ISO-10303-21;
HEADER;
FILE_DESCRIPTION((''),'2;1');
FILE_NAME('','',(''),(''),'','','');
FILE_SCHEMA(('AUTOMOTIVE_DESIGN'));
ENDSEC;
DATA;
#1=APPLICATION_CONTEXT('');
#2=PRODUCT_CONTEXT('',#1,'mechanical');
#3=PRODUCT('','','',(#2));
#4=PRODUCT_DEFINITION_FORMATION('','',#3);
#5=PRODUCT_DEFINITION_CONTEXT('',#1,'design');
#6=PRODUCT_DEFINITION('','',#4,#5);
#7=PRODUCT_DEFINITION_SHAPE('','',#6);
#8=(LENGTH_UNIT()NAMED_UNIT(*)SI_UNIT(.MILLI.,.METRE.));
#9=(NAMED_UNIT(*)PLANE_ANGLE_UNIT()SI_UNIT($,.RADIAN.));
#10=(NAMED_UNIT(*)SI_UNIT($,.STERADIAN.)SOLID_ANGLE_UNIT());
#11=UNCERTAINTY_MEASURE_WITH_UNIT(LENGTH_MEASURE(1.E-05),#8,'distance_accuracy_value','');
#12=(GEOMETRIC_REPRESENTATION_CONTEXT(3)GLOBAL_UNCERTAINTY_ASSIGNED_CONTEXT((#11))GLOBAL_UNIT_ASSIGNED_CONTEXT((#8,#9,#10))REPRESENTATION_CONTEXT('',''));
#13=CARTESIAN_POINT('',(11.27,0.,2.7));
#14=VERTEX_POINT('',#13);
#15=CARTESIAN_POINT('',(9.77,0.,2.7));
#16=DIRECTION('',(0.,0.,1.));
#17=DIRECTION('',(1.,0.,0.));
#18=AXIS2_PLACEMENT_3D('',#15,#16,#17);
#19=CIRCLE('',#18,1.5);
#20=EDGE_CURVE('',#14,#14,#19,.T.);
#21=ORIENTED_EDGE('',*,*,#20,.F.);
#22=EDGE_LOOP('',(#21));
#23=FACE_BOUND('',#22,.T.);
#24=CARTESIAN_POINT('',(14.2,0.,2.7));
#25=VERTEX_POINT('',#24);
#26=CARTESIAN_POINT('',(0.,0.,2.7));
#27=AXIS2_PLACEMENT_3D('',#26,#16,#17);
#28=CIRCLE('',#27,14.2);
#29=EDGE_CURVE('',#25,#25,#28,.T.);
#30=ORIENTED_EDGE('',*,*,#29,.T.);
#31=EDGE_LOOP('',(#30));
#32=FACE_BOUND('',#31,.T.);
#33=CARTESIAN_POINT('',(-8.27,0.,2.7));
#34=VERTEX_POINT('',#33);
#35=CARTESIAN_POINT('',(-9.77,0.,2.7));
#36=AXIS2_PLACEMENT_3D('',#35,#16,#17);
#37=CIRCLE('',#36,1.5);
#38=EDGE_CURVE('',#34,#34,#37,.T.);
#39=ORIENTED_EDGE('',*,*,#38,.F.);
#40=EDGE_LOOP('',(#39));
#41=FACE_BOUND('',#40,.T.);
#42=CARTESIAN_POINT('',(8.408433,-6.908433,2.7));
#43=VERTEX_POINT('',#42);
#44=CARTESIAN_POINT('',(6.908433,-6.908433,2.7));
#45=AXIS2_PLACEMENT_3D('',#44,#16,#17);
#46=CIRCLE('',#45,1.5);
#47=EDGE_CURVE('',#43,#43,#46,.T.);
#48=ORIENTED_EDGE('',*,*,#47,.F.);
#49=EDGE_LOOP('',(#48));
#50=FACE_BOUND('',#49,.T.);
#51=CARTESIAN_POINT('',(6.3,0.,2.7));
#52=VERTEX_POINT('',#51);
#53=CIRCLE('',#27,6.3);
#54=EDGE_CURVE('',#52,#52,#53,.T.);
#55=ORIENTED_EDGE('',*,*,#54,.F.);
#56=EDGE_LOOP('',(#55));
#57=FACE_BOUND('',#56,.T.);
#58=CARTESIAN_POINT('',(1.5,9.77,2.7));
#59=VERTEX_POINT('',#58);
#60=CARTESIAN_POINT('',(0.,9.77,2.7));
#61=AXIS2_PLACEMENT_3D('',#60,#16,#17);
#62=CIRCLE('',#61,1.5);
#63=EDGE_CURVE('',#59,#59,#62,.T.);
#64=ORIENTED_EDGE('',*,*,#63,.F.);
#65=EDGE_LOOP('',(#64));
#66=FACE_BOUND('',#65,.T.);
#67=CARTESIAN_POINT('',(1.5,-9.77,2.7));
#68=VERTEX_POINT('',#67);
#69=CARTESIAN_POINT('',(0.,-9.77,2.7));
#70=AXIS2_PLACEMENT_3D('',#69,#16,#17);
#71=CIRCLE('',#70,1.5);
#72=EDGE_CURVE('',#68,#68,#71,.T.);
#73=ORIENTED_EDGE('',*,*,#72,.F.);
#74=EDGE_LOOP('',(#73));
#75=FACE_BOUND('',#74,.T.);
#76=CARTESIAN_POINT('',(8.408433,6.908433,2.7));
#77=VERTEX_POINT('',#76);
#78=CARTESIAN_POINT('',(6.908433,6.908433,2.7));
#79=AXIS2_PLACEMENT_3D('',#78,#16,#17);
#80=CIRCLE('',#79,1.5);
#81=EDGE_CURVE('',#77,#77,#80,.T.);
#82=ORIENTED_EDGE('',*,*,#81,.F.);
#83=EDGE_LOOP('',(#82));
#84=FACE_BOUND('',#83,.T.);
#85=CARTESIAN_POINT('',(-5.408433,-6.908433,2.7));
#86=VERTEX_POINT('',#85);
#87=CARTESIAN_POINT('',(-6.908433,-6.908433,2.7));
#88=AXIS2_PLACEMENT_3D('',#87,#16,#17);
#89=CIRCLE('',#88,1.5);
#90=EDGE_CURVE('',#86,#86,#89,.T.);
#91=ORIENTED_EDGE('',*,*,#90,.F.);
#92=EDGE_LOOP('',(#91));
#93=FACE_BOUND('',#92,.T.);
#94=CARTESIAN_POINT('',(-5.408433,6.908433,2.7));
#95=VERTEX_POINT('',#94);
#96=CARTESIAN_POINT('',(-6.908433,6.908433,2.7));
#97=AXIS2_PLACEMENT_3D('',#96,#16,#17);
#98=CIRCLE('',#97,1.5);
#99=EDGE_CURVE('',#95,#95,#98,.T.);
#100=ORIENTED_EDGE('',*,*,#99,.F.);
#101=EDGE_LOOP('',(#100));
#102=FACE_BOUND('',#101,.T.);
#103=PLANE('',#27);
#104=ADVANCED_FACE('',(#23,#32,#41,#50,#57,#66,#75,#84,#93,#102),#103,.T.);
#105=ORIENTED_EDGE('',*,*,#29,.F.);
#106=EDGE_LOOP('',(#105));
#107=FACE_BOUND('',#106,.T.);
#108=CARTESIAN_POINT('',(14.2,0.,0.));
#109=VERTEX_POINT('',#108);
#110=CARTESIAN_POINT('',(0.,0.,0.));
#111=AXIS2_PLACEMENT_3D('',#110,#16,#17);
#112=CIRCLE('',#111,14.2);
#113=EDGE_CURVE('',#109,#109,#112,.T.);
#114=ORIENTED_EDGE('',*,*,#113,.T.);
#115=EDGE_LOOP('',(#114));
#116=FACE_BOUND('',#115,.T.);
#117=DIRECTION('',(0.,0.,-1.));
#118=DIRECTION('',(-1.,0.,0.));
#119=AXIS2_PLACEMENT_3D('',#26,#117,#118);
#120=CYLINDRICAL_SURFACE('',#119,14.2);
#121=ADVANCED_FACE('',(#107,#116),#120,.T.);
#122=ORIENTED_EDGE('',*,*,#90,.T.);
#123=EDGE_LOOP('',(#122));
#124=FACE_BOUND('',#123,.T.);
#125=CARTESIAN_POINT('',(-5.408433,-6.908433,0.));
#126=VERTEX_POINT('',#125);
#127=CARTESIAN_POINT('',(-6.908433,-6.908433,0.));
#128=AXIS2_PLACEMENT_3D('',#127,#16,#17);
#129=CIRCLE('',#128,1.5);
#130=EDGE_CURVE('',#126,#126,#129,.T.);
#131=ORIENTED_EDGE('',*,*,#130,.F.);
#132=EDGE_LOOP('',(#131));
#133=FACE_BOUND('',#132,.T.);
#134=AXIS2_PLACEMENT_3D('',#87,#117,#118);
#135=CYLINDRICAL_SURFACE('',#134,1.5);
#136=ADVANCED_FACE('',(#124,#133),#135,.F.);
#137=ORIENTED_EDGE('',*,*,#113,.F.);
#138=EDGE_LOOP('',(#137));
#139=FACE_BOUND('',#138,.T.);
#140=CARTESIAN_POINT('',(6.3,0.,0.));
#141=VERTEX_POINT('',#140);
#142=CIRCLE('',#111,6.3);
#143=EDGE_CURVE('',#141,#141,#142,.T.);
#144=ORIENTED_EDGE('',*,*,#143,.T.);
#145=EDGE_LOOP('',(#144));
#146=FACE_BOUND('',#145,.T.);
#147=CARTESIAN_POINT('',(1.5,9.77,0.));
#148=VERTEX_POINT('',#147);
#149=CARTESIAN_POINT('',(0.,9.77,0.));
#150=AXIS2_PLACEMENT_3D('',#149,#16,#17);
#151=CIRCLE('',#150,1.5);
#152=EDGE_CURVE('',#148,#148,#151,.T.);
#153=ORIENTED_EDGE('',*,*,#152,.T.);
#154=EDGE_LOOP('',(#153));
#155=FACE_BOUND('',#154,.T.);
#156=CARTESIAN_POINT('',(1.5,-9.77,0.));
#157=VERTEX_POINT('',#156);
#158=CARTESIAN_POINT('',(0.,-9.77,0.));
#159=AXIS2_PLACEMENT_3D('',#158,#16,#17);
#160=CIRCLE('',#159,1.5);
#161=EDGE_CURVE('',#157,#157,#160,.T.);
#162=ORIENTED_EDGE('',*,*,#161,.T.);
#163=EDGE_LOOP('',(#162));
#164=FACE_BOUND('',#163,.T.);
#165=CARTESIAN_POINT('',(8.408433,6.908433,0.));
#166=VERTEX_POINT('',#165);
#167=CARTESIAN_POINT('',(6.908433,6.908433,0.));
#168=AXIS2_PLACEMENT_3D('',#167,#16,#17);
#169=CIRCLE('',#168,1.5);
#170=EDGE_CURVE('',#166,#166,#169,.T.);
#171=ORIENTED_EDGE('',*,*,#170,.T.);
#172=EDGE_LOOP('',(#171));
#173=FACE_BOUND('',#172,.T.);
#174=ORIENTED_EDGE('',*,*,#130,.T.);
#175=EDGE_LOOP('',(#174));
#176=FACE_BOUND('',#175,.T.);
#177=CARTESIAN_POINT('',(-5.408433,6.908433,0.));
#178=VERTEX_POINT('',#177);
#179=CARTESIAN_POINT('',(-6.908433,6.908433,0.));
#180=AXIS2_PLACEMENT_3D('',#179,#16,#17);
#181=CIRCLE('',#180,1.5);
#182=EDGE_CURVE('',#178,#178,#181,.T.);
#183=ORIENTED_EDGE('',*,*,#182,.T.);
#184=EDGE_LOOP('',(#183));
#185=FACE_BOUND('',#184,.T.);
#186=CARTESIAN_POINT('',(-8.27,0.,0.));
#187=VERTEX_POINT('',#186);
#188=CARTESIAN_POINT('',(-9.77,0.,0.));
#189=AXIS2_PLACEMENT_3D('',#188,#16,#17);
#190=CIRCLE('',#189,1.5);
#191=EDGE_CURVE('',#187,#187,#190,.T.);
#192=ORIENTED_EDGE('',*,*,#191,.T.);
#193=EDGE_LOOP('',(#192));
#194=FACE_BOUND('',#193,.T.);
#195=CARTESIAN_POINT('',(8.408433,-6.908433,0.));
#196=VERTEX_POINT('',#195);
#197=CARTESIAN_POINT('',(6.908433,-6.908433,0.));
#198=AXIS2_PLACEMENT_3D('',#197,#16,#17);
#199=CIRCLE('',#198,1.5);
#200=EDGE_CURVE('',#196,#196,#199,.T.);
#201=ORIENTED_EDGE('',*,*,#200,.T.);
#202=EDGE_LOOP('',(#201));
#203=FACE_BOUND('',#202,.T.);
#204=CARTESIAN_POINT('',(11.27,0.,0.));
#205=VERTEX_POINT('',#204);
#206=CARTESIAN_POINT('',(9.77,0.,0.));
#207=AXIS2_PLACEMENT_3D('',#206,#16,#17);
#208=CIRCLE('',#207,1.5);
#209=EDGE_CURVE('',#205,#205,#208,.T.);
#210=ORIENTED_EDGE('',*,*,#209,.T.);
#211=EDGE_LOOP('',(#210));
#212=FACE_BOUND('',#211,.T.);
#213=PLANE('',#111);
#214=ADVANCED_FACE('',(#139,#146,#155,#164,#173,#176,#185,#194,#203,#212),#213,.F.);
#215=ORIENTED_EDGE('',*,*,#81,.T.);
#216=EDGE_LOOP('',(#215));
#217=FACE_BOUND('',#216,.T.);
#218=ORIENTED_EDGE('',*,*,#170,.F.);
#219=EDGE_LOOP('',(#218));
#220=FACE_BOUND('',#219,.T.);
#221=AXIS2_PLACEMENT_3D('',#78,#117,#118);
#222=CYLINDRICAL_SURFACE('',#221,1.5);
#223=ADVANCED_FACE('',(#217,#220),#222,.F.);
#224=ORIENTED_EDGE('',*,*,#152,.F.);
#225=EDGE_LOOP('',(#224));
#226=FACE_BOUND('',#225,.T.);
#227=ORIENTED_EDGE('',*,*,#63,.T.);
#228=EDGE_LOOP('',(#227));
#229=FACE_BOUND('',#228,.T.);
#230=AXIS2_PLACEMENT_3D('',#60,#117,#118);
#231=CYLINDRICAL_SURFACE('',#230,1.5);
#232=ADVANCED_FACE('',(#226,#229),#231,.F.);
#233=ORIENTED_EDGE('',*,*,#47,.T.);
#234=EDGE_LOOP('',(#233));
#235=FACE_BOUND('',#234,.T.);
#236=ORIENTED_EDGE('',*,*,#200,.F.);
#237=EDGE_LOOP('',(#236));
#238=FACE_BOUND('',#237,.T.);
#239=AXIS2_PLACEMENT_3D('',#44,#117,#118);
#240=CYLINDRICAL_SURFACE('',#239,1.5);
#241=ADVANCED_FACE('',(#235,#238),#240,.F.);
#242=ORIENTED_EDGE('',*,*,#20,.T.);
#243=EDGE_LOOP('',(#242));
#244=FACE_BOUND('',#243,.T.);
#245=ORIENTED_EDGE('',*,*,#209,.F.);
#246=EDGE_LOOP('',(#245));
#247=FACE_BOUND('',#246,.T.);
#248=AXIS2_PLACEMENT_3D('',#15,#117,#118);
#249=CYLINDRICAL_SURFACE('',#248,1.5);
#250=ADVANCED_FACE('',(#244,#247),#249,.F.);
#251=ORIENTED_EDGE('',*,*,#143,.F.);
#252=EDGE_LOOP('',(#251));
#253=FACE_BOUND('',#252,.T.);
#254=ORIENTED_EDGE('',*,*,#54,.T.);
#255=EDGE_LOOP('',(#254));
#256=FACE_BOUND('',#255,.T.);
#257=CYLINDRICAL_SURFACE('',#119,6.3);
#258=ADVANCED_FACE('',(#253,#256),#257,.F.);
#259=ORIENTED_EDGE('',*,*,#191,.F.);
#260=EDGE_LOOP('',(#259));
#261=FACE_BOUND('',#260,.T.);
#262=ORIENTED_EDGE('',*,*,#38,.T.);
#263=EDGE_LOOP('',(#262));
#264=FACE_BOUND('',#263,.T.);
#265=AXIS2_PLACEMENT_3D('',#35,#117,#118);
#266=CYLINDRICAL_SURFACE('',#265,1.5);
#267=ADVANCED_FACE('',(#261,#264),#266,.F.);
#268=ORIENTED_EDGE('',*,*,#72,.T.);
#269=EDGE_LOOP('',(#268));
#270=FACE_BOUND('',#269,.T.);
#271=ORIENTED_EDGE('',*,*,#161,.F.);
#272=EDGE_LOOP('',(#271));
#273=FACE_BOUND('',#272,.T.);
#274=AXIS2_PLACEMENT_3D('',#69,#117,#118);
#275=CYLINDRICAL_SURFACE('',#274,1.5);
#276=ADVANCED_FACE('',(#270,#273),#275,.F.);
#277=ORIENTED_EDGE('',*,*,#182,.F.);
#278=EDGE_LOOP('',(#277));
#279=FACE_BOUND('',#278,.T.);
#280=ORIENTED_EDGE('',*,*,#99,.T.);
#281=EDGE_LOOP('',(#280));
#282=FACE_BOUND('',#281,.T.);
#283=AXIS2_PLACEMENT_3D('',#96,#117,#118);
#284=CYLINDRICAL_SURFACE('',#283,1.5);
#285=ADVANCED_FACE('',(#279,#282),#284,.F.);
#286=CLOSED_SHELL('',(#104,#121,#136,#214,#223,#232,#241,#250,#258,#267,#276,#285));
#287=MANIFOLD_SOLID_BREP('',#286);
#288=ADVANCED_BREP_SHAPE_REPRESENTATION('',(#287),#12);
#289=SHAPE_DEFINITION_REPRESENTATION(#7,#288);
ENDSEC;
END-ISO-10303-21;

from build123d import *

# Parameters (mm, degrees)
CROQUIS1_R              = 14.2
CROQUIS1_R_2            = 6.3
CROQUIS1_R_3            = 1.5
SALIENTE_EXTRUIR1_DEPTH = 2.7


with BuildPart() as part:
    # Croquis1 → Saliente-Extruir1 (new body)
    with BuildSketch(Plane.XY):
        Circle(CROQUIS1_R)
        Circle(CROQUIS1_R_2, mode=Mode.SUBTRACT)
        with Locations((0, 9.77)):
            Circle(CROQUIS1_R_3, mode=Mode.SUBTRACT)
        with Locations((6.908433252, 6.908433252)):
            Circle(CROQUIS1_R_3, mode=Mode.SUBTRACT)
        with Locations((9.77, 0)):
            Circle(CROQUIS1_R_3, mode=Mode.SUBTRACT)
        with Locations((6.908433252, -6.908433252)):
            Circle(CROQUIS1_R_3, mode=Mode.SUBTRACT)
        with Locations((0, -9.77)):
            Circle(CROQUIS1_R_3, mode=Mode.SUBTRACT)
        with Locations((-6.908433252, -6.908433252)):
            Circle(CROQUIS1_R_3, mode=Mode.SUBTRACT)
        with Locations((-9.77, 0)):
            Circle(CROQUIS1_R_3, mode=Mode.SUBTRACT)
        with Locations((-6.908433252, 6.908433252)):
            Circle(CROQUIS1_R_3, mode=Mode.SUBTRACT)
    extrude(amount=SALIENTE_EXTRUIR1_DEPTH)


solid = part.part
